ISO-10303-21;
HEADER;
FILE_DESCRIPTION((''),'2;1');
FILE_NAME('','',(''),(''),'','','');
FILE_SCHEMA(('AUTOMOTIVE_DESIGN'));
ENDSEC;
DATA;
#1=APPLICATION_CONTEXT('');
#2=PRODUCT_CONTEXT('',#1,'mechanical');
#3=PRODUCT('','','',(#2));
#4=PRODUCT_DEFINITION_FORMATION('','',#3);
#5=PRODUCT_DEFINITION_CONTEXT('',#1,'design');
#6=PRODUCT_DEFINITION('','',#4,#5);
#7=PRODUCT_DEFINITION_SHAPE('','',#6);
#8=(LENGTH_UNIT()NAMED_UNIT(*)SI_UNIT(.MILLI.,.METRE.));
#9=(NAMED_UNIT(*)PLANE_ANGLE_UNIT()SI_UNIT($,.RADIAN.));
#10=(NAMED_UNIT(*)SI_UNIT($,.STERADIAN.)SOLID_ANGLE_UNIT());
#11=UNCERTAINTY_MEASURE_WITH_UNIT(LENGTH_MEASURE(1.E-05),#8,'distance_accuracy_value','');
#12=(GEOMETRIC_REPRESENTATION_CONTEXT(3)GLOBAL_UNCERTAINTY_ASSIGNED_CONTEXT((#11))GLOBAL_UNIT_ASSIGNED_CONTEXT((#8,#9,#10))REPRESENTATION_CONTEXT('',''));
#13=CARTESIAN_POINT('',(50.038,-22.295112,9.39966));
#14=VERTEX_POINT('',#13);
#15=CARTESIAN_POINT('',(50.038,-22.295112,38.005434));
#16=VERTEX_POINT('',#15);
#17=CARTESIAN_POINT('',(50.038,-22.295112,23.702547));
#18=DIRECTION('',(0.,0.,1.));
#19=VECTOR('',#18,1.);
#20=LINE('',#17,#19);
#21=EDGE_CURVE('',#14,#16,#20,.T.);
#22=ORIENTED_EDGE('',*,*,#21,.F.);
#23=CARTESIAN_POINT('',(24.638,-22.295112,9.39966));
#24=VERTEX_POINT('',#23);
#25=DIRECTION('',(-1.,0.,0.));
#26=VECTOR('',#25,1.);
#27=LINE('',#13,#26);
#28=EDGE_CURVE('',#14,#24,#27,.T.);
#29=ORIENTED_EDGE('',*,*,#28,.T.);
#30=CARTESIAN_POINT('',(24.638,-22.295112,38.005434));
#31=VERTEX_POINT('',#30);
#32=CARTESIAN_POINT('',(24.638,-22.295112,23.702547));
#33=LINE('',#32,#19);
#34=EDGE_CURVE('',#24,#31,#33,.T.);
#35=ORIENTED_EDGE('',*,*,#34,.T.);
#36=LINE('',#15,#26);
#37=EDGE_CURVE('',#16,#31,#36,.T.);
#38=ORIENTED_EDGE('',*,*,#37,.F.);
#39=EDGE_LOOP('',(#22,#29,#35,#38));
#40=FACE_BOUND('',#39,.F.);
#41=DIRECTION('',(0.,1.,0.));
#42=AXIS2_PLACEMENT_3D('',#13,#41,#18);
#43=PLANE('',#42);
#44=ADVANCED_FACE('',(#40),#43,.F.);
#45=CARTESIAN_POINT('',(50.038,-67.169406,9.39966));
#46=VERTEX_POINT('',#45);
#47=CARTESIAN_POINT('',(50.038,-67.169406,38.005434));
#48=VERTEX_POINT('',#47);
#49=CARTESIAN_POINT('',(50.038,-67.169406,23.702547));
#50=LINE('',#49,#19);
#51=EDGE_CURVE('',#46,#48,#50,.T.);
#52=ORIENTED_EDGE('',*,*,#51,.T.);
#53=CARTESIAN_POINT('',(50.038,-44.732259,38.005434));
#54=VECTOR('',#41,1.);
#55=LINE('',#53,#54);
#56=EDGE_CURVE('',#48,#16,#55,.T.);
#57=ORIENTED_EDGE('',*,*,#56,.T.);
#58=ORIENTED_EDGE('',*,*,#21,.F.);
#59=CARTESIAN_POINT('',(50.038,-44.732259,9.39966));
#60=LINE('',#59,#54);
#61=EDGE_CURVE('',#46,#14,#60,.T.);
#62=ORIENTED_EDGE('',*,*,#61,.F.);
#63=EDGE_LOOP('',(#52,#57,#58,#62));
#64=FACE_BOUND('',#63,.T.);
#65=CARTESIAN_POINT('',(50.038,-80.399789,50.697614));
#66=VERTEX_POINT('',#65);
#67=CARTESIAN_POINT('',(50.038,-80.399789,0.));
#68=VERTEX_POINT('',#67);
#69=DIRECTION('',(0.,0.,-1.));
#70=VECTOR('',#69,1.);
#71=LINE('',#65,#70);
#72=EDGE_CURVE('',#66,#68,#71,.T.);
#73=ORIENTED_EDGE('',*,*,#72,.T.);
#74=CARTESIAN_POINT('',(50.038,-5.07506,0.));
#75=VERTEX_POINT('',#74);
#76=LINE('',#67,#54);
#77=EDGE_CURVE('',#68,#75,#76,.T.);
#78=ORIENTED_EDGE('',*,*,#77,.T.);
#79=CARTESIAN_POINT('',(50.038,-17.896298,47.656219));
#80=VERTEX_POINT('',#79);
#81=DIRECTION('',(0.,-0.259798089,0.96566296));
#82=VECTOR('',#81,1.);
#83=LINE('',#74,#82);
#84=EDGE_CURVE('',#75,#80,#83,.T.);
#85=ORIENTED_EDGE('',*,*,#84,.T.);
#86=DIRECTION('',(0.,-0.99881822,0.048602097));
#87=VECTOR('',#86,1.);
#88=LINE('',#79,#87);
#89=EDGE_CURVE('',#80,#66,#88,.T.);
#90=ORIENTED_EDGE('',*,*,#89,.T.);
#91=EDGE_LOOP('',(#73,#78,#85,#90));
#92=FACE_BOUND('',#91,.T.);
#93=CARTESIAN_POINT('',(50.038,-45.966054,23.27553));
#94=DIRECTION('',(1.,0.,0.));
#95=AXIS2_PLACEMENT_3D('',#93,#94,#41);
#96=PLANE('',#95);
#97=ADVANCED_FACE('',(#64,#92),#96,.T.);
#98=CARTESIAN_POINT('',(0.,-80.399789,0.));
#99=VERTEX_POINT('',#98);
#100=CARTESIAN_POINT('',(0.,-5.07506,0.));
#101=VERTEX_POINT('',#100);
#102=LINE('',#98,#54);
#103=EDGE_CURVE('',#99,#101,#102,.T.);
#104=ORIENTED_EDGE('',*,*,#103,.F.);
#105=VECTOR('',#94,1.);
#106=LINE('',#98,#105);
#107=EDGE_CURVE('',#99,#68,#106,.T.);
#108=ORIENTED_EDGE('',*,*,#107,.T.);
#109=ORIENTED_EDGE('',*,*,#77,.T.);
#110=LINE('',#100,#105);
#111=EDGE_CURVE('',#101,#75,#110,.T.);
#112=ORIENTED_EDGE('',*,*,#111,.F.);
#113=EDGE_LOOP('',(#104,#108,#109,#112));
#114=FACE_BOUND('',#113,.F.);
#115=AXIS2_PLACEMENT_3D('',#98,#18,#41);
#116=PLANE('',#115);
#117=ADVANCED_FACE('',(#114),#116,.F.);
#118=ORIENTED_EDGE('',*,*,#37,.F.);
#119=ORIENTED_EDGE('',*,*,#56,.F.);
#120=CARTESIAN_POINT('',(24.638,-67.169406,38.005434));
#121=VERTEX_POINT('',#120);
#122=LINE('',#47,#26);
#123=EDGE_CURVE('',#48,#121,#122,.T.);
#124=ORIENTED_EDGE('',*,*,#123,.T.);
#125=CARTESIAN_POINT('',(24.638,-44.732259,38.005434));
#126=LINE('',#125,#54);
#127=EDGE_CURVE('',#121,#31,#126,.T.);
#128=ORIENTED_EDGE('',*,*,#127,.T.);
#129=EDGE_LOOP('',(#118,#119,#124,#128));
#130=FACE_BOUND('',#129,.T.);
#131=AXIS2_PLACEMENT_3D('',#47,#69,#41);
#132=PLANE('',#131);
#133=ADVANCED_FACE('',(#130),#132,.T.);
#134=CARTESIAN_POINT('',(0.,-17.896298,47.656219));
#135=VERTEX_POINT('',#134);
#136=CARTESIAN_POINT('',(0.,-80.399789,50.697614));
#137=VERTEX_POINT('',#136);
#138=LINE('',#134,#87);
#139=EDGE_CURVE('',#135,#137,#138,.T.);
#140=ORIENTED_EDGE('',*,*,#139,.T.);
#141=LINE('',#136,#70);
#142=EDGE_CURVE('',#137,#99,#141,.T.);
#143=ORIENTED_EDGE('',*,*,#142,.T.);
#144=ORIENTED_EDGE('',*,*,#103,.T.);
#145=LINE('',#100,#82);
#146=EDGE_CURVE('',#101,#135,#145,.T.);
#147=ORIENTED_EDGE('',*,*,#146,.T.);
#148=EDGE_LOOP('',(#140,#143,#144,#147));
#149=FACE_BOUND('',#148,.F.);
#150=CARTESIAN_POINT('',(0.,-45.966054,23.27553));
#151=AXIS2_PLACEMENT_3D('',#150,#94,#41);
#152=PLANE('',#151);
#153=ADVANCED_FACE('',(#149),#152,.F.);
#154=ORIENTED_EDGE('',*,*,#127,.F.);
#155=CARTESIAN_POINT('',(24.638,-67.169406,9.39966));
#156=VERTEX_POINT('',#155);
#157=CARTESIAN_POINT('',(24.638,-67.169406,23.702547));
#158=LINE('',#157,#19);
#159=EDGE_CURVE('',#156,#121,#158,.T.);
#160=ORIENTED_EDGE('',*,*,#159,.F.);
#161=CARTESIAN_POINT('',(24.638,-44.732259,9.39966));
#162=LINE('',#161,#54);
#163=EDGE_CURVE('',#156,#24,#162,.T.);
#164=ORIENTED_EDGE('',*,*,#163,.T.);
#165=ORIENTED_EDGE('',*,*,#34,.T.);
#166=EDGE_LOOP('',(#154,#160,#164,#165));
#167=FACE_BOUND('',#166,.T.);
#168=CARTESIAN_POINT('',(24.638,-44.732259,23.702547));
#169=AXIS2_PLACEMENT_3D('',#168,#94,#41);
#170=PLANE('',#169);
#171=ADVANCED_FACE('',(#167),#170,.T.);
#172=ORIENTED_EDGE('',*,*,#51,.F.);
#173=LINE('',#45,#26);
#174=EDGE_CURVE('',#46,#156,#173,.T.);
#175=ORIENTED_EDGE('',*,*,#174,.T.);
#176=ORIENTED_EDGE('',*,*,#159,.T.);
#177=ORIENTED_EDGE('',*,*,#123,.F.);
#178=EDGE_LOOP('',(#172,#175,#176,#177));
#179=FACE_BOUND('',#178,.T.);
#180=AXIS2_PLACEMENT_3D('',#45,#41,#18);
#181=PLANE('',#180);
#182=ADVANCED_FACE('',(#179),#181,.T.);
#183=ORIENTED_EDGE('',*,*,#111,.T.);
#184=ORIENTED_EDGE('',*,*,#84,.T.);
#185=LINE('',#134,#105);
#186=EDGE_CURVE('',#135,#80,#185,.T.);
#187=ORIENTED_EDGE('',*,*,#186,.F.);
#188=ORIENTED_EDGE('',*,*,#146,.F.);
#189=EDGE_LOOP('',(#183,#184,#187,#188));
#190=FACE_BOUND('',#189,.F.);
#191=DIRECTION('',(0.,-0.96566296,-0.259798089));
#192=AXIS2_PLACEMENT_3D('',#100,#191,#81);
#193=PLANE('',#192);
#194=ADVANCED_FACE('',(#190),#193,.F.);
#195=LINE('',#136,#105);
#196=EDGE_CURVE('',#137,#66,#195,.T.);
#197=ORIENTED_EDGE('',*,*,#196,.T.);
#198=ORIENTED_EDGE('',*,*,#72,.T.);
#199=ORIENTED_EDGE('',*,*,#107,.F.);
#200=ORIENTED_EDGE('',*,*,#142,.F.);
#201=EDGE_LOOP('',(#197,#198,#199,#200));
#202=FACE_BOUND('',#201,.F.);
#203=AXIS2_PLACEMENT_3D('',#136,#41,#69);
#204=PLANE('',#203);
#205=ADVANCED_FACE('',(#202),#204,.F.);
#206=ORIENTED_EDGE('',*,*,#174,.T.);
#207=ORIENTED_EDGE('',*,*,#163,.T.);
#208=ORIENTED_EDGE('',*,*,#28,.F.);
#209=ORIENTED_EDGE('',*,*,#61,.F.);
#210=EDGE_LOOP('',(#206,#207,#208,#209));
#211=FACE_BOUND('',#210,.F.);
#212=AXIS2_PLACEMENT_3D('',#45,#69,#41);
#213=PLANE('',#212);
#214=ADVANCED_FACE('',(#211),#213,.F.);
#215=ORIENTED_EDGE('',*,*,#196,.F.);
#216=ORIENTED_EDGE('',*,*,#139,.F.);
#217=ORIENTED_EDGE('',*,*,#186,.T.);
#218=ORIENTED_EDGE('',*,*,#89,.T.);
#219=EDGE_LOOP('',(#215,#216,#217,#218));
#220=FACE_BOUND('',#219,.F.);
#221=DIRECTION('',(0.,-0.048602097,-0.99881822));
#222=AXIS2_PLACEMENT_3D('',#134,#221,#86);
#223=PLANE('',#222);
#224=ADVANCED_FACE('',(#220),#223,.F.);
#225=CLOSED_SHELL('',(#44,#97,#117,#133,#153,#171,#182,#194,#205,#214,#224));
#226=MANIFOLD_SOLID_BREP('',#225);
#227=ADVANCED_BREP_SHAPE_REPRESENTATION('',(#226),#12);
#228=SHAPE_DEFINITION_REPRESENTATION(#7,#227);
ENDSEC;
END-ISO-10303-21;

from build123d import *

# Parameters (mm, degrees)
F1_DEPTH = 50.038
F3_W     = 44.874294
F3_H     = 28.605775
F4_DEPTH = 25.4


with BuildPart() as f1:
    # F0 (on Right) → F1 (new body)
    with BuildSketch(Plane.YZ):
        Polygon((-80.399789, 0), (-5.07506, 0), (-17.896298, 47.656219), (-80.399789, 50.697614), align=None)
    extrude(amount=F1_DEPTH)

    # F3 (on face) → F4 (cut)
    with BuildSketch(Plane.YZ.offset(50.038)):
        with Locations((-44.732259, 23.702547)):
            Rectangle(F3_W, F3_H)
    extrude(amount=-F4_DEPTH, mode=Mode.SUBTRACT)


solid = f1.part
